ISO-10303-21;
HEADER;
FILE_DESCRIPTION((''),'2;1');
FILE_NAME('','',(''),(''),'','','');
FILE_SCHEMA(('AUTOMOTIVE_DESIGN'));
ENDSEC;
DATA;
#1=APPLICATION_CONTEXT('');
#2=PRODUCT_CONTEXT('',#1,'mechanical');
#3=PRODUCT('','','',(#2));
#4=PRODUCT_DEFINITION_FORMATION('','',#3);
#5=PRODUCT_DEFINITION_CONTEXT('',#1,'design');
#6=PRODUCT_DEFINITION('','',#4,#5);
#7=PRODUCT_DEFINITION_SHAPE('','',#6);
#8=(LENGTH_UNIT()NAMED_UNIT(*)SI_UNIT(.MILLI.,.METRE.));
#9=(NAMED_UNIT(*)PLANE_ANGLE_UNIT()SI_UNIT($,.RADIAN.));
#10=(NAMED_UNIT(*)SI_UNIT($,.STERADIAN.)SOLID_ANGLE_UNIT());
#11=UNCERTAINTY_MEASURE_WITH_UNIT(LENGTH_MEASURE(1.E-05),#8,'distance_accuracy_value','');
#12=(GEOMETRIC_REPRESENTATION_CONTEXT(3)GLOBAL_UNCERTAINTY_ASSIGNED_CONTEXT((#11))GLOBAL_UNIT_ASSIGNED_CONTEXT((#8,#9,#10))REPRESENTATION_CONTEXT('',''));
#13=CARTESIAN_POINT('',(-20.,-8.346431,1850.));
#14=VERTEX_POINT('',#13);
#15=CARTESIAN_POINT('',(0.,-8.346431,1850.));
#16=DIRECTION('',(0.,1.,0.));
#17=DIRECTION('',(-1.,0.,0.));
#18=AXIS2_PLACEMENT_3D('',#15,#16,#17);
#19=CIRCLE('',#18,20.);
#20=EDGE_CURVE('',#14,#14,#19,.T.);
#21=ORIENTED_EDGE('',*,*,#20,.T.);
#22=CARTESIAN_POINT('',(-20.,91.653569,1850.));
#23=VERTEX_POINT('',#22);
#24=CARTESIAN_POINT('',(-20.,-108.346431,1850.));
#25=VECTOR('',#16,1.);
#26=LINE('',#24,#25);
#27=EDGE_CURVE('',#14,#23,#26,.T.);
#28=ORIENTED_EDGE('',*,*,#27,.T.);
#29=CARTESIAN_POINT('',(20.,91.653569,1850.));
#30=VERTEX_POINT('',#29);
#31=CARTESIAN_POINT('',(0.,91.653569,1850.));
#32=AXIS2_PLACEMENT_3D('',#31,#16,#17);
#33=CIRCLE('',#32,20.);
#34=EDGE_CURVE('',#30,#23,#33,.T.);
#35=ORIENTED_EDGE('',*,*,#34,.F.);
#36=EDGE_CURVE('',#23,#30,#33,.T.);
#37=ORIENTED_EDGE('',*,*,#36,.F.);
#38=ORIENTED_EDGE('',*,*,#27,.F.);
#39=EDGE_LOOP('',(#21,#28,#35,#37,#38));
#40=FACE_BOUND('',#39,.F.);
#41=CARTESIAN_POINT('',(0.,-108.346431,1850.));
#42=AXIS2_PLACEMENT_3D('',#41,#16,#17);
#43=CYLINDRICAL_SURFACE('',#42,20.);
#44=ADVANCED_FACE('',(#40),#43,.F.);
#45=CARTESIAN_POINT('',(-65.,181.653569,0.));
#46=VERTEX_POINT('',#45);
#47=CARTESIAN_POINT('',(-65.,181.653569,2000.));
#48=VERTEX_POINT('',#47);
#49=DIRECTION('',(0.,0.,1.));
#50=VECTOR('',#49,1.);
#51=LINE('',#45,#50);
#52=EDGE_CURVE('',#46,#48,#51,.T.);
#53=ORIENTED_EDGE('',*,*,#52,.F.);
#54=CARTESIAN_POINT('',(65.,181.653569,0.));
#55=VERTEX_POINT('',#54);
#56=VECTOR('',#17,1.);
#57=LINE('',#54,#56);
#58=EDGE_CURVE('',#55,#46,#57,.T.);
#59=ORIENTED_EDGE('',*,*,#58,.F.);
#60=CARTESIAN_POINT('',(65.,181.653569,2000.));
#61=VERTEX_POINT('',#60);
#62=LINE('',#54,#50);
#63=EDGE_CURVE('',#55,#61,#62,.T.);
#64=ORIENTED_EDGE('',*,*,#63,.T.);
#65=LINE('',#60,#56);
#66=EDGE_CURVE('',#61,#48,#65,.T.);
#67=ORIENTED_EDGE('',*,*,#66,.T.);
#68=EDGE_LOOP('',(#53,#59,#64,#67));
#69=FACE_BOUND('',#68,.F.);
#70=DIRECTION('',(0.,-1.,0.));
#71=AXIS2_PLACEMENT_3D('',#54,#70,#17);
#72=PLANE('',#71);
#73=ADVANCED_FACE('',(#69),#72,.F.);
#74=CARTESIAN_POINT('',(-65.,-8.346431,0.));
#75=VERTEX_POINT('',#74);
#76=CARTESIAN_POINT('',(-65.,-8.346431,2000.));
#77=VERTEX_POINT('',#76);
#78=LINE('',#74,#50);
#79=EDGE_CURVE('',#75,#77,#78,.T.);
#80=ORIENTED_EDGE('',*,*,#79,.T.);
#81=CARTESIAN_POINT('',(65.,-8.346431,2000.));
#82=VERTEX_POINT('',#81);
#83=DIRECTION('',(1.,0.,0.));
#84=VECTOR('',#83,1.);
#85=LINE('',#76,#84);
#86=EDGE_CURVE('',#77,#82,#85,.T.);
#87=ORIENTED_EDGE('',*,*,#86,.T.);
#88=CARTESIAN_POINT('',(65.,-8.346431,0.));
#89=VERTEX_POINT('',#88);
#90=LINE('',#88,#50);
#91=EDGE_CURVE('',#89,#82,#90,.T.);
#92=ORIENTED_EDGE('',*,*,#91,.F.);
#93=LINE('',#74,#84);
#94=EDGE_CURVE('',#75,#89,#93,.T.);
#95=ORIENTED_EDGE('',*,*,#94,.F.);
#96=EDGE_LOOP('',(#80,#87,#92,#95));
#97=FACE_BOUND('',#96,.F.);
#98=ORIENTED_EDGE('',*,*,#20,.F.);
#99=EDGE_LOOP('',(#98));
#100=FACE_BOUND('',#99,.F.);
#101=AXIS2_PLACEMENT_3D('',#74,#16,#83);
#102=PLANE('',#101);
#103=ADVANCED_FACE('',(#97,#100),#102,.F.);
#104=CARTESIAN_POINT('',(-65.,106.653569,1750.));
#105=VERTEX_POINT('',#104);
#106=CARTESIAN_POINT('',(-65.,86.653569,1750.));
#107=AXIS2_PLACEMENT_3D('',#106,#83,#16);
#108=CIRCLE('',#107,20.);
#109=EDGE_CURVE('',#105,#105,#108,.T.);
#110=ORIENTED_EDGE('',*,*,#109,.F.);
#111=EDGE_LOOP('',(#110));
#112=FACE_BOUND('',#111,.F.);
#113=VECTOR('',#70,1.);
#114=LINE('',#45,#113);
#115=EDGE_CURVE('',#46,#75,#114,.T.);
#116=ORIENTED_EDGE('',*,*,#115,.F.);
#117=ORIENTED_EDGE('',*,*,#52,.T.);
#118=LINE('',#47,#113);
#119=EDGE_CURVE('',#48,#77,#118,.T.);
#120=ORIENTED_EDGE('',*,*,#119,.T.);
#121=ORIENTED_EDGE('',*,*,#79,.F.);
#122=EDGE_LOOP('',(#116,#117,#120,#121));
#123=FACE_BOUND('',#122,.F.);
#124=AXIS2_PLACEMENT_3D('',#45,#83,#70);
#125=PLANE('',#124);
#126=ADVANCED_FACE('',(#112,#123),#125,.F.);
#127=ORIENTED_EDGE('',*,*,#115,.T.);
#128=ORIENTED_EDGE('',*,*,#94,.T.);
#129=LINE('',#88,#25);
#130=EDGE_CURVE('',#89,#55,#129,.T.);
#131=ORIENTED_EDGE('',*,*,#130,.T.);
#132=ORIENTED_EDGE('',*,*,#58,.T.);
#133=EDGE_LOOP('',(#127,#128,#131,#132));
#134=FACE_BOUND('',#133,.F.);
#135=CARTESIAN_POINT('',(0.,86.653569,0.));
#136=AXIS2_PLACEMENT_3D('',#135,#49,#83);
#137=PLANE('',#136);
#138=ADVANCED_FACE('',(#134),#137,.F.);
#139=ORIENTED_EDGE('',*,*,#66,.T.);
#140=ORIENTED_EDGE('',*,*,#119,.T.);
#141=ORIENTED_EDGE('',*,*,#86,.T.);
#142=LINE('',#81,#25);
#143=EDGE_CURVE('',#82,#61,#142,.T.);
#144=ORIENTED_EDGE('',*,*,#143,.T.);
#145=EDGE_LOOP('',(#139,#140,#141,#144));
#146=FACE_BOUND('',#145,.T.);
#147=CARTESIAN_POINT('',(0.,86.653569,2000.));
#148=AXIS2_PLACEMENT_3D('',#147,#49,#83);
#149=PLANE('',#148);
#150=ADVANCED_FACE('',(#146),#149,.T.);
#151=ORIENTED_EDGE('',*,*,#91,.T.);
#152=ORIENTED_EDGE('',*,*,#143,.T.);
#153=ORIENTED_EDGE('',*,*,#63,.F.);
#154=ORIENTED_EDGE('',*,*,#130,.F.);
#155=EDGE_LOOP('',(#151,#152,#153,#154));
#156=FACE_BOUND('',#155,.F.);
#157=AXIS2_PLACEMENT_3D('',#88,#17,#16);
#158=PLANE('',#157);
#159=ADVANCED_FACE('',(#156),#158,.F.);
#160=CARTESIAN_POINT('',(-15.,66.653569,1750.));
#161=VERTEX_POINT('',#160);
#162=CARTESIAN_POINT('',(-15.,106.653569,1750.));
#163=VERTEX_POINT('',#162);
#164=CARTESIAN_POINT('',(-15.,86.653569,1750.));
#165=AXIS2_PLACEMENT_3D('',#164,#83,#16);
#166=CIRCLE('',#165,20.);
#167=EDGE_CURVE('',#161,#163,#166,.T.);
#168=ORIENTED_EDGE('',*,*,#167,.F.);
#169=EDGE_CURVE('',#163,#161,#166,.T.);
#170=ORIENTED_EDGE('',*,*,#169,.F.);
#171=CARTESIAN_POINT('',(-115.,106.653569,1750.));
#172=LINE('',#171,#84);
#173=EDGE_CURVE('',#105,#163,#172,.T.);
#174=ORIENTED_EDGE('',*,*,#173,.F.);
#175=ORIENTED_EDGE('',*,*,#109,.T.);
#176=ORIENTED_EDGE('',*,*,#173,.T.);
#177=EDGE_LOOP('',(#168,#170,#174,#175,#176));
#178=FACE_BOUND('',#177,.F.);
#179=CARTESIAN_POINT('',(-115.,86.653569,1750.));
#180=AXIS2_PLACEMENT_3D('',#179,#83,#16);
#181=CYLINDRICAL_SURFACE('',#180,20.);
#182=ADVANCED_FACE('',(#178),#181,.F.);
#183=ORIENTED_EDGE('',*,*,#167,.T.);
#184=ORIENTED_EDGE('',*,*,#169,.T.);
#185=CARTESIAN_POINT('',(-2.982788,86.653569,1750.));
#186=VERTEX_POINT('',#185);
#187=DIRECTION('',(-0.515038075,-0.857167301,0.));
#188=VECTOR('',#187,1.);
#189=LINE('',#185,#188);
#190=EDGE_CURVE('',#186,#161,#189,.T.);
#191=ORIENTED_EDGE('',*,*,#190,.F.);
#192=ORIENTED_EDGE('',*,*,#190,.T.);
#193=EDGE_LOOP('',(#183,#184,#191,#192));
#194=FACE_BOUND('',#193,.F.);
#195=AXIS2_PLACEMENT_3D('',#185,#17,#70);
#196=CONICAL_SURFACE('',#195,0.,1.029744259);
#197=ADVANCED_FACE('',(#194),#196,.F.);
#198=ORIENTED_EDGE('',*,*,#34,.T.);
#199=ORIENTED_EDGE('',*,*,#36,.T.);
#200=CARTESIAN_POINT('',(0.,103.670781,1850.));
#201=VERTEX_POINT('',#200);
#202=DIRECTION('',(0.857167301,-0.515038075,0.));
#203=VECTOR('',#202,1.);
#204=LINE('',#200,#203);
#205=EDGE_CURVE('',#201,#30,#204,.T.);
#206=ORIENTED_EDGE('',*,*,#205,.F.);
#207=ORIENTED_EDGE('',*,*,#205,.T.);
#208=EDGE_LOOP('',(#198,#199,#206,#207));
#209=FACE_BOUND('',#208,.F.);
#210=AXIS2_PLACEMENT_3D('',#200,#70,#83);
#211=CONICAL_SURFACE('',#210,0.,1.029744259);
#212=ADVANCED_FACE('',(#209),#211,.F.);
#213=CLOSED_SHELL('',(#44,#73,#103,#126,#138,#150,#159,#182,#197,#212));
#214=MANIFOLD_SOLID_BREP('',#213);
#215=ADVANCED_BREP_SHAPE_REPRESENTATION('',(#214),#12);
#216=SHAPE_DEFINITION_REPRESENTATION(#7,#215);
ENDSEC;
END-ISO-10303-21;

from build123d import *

# Parameters (mm, degrees)
F1_DEPTH = 2000
F3_D     = 40
F3_DEPTH = 100
F3_TIP   = 12.0172123806
F5_D     = 40
F5_DEPTH = 50
F5_TIP   = 12.0172123806


with BuildPart() as f1:
    # F0 (on Top) → F1 (new body)
    with BuildSketch(Plane.XY):
        Polygon((-34.2555230263, 181.6535690603), (-65, 181.6535690603), (-65, -8.3464309397), (65, -8.3464309397), (65, 181.6535690603), (34.2555230263, 181.6535690603), align=None)
    extrude(amount=F1_DEPTH)

    # F3
    with Locations(Plane.XZ.offset(8.3464309397)):
        with Locations((0, 1850)):
            Hole(F3_D / 2, depth=F3_DEPTH)
            with Locations((0, 0, -(F3_DEPTH + F3_TIP / 2))):  # 118° drill point
                Cone(0, F3_D / 2, F3_TIP, mode=Mode.SUBTRACT)

    # F5
    with Locations(Plane(origin=(-65, 0, 0), x_dir=(0, -1, 0), z_dir=(-1, 0, 0))):
        with Locations((-86.6535690603, 1750)):
            Hole(F5_D / 2, depth=F5_DEPTH)
            with Locations((0, 0, -(F5_DEPTH + F5_TIP / 2))):  # 118° drill point
                Cone(0, F5_D / 2, F5_TIP, mode=Mode.SUBTRACT)


solid = f1.part
